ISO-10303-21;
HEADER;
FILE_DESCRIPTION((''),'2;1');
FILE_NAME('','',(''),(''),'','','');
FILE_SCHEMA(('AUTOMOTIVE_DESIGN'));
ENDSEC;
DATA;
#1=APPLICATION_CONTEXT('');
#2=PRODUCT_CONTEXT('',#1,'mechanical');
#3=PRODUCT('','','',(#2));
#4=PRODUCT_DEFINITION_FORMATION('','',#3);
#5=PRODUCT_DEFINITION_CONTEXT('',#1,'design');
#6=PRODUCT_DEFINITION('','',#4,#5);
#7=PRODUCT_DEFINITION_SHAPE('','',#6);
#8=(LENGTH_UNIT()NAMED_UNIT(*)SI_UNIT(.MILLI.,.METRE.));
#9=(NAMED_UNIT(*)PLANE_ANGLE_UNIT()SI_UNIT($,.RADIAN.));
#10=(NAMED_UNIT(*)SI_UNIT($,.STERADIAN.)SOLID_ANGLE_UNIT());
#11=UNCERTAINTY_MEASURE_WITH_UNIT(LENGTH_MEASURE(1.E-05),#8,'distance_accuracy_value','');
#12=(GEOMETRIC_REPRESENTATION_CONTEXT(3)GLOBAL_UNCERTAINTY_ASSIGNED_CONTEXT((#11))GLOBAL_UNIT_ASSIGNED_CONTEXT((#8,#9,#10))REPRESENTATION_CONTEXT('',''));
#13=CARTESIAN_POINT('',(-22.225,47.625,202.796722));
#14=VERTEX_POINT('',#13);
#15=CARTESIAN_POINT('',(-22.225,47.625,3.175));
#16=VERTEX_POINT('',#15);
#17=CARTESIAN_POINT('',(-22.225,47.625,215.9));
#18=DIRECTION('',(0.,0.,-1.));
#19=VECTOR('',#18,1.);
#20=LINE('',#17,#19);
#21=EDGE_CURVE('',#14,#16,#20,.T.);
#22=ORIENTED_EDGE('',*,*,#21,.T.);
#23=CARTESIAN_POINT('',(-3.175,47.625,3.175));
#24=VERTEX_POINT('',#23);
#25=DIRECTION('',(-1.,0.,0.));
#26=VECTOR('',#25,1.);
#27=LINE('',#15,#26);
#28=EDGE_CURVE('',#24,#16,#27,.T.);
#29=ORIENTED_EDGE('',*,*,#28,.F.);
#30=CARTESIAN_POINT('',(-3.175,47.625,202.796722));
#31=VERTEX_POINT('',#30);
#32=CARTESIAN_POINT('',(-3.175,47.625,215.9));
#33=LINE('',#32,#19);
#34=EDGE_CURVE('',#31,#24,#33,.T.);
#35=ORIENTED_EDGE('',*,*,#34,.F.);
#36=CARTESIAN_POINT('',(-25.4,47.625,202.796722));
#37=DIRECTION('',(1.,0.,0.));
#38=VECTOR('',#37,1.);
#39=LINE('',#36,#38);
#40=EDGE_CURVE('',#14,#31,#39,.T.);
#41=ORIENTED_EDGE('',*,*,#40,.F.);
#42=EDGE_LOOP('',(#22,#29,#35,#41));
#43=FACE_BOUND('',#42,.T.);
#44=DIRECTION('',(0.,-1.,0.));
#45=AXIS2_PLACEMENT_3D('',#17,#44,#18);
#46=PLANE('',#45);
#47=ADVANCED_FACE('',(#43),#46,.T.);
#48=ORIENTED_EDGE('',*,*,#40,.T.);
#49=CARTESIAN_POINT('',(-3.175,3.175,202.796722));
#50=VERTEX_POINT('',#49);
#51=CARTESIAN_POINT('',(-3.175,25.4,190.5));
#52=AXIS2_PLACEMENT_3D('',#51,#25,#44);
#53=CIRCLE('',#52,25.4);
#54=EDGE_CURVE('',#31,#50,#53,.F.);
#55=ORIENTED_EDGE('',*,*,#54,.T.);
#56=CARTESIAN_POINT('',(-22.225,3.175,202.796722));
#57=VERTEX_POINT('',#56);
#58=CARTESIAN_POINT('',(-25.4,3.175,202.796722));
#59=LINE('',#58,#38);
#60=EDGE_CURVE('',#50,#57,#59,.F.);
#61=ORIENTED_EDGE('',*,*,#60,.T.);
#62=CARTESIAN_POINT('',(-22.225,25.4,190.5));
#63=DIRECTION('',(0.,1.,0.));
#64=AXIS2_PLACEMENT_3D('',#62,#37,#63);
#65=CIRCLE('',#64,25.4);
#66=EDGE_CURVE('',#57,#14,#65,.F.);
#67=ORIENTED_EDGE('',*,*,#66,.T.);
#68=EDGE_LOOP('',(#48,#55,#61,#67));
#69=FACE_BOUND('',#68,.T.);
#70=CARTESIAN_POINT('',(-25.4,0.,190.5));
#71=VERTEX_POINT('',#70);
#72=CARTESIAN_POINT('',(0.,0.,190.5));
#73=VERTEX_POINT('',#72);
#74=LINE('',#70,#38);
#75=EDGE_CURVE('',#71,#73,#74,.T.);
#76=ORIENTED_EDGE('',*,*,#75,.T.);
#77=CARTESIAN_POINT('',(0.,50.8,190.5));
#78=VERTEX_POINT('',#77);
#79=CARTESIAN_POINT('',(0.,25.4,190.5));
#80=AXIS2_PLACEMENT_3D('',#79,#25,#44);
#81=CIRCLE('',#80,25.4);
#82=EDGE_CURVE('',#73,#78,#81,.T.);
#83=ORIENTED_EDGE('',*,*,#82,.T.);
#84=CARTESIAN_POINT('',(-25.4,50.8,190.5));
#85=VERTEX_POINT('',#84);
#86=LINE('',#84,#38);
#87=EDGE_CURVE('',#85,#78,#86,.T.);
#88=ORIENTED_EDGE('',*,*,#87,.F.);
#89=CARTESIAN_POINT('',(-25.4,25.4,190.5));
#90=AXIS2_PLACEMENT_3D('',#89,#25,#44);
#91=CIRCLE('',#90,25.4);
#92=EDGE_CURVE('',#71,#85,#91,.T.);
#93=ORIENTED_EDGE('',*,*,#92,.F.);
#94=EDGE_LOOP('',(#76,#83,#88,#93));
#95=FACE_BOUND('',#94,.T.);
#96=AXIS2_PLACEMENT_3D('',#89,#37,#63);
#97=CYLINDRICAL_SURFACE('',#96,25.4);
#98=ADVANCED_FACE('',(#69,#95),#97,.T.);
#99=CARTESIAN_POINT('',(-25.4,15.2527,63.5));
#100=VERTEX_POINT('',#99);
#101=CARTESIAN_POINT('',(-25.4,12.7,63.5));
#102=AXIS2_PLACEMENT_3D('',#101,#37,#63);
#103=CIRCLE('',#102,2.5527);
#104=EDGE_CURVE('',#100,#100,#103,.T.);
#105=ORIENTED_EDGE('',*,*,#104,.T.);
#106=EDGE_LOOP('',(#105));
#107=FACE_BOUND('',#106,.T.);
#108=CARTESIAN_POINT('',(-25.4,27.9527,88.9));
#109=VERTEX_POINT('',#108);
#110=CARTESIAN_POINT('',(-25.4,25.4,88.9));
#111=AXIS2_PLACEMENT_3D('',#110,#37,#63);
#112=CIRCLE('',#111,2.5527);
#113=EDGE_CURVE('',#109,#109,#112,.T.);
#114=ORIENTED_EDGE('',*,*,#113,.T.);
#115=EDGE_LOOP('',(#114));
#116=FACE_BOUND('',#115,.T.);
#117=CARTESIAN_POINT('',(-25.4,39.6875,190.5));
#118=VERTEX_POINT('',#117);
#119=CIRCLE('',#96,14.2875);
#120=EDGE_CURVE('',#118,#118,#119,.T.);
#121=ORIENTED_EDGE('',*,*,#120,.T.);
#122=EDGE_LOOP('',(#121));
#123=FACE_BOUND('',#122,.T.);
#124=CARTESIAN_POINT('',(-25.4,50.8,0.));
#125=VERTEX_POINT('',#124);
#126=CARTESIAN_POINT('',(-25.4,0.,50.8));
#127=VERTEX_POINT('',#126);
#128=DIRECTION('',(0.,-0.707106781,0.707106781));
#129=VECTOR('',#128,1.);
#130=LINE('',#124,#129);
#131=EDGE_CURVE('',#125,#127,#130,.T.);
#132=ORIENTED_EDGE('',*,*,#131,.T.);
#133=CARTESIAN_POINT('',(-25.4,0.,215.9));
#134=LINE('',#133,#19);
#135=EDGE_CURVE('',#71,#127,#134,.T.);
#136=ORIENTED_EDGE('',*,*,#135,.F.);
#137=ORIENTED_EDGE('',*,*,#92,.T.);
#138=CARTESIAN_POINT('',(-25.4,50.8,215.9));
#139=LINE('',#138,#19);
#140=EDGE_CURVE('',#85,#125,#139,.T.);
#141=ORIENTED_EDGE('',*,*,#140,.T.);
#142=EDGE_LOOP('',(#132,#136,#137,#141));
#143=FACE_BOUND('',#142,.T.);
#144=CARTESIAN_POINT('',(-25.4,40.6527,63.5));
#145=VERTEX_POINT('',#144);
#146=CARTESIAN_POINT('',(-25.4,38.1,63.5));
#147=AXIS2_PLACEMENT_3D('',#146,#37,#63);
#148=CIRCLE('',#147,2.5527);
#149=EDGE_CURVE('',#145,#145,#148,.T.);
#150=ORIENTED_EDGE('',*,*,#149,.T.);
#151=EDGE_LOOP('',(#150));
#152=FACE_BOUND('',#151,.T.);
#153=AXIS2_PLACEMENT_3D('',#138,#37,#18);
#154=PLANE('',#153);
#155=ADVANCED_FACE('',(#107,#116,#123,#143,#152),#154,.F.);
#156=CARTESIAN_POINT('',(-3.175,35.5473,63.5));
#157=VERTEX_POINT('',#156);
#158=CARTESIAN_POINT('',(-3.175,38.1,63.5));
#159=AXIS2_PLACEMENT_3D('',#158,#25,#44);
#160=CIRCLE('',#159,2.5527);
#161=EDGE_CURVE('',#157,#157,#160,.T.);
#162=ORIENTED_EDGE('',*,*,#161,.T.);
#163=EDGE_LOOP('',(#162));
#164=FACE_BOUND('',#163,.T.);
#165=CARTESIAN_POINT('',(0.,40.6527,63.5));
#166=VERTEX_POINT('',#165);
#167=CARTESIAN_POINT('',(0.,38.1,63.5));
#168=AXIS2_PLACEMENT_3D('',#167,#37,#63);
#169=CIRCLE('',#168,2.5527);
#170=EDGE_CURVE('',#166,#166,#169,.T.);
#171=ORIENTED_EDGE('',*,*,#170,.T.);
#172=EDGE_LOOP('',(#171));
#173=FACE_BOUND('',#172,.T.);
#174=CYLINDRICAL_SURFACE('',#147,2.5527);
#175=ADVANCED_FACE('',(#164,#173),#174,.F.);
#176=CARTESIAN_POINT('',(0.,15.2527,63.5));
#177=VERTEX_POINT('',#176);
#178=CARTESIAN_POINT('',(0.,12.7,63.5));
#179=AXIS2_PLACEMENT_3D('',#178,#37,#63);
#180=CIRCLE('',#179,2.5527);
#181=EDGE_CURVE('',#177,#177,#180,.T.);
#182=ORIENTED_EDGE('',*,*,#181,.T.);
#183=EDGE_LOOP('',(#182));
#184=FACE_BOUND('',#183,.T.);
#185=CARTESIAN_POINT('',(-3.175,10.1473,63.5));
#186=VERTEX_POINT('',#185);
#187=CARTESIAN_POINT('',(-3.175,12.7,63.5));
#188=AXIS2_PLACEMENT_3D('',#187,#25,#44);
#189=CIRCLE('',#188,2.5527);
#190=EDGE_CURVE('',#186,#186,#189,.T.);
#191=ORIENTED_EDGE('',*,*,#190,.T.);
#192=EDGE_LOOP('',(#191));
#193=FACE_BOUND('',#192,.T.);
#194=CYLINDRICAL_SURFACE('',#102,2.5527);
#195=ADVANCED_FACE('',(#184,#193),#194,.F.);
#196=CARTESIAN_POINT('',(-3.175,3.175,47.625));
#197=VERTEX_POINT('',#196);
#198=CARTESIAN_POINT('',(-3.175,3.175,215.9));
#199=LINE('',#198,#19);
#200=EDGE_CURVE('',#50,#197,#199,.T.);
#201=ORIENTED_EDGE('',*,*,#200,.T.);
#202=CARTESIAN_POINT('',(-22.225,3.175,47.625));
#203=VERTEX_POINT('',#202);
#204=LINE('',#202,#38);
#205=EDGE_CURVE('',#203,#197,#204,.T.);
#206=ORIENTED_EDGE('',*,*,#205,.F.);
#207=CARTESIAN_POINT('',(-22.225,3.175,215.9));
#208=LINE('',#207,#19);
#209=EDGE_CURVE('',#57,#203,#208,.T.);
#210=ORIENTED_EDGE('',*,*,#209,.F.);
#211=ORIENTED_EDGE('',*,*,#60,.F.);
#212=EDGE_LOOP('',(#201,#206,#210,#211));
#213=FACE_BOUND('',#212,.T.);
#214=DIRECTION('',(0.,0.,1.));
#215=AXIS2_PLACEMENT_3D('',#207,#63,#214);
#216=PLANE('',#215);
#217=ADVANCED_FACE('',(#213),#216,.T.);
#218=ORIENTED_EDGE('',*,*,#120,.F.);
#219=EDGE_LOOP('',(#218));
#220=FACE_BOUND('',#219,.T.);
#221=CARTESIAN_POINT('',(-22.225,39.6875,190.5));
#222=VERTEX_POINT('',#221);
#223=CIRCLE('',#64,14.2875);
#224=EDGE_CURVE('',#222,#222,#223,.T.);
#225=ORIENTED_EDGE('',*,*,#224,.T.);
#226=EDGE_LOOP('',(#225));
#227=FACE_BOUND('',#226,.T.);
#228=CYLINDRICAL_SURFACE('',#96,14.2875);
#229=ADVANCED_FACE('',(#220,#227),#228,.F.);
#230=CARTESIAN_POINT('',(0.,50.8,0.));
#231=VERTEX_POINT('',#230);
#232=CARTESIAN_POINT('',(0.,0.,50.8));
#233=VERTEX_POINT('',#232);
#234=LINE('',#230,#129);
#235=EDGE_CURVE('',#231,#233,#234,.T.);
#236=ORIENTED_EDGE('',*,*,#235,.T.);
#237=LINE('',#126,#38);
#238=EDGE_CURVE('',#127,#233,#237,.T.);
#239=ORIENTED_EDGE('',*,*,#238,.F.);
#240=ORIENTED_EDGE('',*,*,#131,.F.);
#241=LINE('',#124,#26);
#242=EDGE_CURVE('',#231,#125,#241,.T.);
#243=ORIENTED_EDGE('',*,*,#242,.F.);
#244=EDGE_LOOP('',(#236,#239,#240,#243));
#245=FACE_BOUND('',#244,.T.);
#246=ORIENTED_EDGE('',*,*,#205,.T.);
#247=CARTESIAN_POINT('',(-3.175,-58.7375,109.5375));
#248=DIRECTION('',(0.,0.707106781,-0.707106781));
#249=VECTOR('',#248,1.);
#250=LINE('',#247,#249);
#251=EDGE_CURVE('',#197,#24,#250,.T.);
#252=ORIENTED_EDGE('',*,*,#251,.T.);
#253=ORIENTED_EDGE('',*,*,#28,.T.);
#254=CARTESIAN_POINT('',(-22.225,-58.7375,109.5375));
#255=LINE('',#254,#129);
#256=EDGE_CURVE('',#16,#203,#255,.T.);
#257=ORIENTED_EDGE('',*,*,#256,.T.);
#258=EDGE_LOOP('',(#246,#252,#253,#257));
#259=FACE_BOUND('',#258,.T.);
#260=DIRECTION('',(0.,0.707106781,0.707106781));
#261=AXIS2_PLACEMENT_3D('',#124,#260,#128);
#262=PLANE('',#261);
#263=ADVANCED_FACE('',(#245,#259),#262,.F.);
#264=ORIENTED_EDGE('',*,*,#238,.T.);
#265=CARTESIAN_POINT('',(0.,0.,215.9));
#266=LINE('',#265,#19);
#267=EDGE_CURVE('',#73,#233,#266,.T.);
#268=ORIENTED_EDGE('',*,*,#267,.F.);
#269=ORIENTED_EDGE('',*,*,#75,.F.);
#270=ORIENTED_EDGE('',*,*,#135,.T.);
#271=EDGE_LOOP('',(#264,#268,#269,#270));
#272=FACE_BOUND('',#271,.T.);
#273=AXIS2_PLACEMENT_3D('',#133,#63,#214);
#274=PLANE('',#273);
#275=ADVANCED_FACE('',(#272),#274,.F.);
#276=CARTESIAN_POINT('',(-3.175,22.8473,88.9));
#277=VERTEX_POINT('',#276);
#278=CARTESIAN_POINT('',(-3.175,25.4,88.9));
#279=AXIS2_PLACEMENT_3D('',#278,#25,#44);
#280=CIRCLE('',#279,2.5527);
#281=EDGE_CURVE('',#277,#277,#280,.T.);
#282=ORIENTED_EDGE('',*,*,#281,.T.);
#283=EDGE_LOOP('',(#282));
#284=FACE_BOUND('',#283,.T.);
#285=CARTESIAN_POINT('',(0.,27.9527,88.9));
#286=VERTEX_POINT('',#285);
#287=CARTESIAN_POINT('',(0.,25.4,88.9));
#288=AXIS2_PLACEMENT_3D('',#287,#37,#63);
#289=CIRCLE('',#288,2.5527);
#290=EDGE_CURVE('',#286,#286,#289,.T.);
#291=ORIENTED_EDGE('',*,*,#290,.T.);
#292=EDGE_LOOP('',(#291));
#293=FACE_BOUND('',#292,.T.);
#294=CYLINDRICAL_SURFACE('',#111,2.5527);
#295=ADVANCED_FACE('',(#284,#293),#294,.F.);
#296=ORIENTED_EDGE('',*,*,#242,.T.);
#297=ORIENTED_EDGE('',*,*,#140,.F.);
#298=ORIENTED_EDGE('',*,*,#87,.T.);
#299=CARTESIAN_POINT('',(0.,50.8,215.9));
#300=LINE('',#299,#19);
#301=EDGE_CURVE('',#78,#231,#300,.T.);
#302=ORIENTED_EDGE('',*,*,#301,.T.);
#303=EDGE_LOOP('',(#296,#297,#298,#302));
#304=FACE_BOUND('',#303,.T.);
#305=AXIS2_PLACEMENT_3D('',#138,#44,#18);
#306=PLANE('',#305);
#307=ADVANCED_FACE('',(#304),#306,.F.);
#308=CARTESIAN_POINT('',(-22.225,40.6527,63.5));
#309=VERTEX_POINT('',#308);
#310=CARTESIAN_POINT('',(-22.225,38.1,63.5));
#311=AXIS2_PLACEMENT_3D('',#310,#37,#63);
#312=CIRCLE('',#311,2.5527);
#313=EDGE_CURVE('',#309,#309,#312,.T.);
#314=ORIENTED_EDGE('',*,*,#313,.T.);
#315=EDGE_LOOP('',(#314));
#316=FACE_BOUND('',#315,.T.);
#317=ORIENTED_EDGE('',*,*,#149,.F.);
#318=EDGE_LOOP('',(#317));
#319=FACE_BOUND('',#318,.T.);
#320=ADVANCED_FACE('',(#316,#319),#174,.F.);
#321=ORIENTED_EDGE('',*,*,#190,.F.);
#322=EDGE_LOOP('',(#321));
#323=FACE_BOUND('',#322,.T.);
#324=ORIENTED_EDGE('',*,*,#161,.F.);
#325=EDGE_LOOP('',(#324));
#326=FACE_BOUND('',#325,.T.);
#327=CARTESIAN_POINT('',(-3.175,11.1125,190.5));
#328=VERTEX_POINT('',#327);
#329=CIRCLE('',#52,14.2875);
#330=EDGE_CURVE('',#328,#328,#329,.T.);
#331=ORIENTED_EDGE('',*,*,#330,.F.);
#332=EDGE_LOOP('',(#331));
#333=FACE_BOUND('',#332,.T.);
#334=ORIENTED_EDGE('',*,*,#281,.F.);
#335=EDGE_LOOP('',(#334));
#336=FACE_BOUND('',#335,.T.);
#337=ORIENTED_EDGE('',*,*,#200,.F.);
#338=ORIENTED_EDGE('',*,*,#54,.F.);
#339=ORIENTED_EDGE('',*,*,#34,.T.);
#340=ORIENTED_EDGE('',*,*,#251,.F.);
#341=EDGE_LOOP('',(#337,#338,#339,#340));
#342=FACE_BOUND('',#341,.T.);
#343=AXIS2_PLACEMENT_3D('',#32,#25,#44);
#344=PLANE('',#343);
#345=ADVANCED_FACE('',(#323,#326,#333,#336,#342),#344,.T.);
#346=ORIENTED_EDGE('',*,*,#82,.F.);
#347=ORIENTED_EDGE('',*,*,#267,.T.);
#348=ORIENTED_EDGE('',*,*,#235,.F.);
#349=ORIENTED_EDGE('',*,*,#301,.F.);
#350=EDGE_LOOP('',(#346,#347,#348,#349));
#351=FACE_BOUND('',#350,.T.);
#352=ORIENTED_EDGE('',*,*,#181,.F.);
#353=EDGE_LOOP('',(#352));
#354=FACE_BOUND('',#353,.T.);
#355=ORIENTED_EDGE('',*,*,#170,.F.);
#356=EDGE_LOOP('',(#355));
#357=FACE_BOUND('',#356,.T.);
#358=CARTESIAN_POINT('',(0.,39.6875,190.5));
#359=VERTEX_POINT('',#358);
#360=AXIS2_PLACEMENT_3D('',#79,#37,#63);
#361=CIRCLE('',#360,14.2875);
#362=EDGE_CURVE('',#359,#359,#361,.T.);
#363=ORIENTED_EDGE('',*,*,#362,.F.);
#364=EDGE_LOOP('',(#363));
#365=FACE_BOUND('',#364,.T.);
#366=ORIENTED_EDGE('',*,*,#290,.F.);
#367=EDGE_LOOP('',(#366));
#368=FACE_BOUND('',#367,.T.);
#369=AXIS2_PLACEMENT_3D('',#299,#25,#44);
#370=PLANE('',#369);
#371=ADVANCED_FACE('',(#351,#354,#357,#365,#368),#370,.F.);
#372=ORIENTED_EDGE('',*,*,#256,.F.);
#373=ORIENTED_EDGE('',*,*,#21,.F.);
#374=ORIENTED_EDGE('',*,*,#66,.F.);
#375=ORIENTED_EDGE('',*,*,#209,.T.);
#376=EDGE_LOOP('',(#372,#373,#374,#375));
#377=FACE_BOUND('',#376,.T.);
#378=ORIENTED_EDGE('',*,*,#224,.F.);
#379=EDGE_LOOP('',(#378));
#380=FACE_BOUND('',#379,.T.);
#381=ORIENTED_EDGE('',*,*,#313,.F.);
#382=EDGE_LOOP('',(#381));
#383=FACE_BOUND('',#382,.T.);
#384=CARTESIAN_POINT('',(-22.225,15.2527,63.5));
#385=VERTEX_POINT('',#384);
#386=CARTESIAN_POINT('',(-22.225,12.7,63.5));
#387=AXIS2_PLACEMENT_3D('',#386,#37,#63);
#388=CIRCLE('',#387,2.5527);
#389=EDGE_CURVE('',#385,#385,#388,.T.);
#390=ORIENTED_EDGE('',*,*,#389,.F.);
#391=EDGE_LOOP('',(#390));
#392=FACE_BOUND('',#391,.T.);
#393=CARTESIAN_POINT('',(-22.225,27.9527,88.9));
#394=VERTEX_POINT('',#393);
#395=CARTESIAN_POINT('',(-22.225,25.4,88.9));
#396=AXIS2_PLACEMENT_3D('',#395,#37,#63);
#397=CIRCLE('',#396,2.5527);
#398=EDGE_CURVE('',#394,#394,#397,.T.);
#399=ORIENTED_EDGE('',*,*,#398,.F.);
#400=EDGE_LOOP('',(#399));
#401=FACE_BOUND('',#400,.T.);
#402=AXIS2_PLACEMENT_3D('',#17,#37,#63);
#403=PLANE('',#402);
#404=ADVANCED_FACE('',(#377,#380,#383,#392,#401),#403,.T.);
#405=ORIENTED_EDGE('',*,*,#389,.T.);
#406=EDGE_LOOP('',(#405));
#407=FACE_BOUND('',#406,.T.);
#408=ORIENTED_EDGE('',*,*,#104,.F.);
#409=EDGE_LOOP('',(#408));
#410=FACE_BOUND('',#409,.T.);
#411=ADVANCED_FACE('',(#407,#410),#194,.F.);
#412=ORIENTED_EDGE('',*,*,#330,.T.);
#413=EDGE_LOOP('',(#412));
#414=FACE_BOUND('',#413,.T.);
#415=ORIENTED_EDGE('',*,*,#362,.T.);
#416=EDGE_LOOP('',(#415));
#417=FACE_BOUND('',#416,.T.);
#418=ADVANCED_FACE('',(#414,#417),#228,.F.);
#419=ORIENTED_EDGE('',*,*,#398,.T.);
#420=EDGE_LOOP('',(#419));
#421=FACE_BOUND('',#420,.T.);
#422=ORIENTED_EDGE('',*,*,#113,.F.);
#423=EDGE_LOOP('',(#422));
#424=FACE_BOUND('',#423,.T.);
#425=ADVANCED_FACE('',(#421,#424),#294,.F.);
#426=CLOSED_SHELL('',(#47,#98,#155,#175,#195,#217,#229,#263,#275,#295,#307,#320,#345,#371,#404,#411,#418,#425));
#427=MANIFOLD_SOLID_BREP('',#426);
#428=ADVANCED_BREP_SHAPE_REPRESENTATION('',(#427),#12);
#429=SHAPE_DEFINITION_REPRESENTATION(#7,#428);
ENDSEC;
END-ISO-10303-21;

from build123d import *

# Parameters (mm, degrees)
SKETCH1_W               = 25.4
SKETCH1_H               = 50.8
SKETCH1_W_2             = 19.05
SKETCH1_H_2             = 44.45
BOSS_EXTRUDE1_DEPTH     = 215.9
CUT_EXTRUDE1_DEPTH      = 25.4
SKETCH3_R               = 2.5527
CUT_EXTRUDE2_DEPTH      = 25.4
CUT_EXTRUDE_THIN1_DEPTH = 26.4
SKETCH7_R               = 14.2875
CUT_EXTRUDE3_DEPTH      = 25.4


with BuildPart() as part:
    # Sketch1 → Boss-Extrude1 (new body)
    with BuildSketch(Plane.XY):
        with Locations((-12.7, 25.4)):
            Rectangle(SKETCH1_W, SKETCH1_H)
        with Locations((-12.7, 25.4)):
            Rectangle(SKETCH1_W_2, SKETCH1_H_2, mode=Mode.SUBTRACT)
    extrude(amount=BOSS_EXTRUDE1_DEPTH)

    # Sketch2 → Cut-Extrude1 (cut)
    with BuildSketch(Plane(origin=(0, 0, 0), x_dir=(0, 0, -1), z_dir=(1, 0, 0))):
        Polygon((0, 50.8), (-50.8, 0), (0, 0), align=None)
    extrude(amount=-CUT_EXTRUDE1_DEPTH, mode=Mode.SUBTRACT)

    # Sketch3 → Cut-Extrude2 (cut)
    with BuildSketch(Plane(origin=(0, 0, 0), x_dir=(0, 0, -1), z_dir=(1, 0, 0))):
        with Locations((-63.5, 38.1)):
            Circle(SKETCH3_R)
        with Locations((-63.5, 12.7)):
            Circle(SKETCH3_R)
        with Locations((-88.9, 25.4)):
            Circle(SKETCH3_R)
    extrude(amount=-CUT_EXTRUDE2_DEPTH, mode=Mode.SUBTRACT)

    # Sketch6 → Cut-Extrude-Thin1 (cut, through all)
    with BuildSketch(Plane(origin=(0, 0, 0), x_dir=(0, 0, -1), z_dir=(1, 0, 0))):
        with BuildLine():
            ThreePointArc((-190.5, 0), (-215.9, 25.4), (-190.5, 50.8))
            Line((-190.5, 50.8), (-190.5, 63.5))
            ThreePointArc((-190.5, 63.5), (-228.6, 25.4), (-190.5, -12.7))
            Line((-190.5, -12.7), (-190.5, 0))
        make_face()
    extrude(amount=-CUT_EXTRUDE_THIN1_DEPTH, mode=Mode.SUBTRACT)

    # Sketch7 → Cut-Extrude3 (cut)
    with BuildSketch(Plane(origin=(0, 0, 0), x_dir=(0, 0, -1), z_dir=(1, 0, 0))):
        with Locations((-190.5, 25.4)):
            Circle(SKETCH7_R)
    extrude(amount=-CUT_EXTRUDE3_DEPTH, mode=Mode.SUBTRACT)


solid = part.part
